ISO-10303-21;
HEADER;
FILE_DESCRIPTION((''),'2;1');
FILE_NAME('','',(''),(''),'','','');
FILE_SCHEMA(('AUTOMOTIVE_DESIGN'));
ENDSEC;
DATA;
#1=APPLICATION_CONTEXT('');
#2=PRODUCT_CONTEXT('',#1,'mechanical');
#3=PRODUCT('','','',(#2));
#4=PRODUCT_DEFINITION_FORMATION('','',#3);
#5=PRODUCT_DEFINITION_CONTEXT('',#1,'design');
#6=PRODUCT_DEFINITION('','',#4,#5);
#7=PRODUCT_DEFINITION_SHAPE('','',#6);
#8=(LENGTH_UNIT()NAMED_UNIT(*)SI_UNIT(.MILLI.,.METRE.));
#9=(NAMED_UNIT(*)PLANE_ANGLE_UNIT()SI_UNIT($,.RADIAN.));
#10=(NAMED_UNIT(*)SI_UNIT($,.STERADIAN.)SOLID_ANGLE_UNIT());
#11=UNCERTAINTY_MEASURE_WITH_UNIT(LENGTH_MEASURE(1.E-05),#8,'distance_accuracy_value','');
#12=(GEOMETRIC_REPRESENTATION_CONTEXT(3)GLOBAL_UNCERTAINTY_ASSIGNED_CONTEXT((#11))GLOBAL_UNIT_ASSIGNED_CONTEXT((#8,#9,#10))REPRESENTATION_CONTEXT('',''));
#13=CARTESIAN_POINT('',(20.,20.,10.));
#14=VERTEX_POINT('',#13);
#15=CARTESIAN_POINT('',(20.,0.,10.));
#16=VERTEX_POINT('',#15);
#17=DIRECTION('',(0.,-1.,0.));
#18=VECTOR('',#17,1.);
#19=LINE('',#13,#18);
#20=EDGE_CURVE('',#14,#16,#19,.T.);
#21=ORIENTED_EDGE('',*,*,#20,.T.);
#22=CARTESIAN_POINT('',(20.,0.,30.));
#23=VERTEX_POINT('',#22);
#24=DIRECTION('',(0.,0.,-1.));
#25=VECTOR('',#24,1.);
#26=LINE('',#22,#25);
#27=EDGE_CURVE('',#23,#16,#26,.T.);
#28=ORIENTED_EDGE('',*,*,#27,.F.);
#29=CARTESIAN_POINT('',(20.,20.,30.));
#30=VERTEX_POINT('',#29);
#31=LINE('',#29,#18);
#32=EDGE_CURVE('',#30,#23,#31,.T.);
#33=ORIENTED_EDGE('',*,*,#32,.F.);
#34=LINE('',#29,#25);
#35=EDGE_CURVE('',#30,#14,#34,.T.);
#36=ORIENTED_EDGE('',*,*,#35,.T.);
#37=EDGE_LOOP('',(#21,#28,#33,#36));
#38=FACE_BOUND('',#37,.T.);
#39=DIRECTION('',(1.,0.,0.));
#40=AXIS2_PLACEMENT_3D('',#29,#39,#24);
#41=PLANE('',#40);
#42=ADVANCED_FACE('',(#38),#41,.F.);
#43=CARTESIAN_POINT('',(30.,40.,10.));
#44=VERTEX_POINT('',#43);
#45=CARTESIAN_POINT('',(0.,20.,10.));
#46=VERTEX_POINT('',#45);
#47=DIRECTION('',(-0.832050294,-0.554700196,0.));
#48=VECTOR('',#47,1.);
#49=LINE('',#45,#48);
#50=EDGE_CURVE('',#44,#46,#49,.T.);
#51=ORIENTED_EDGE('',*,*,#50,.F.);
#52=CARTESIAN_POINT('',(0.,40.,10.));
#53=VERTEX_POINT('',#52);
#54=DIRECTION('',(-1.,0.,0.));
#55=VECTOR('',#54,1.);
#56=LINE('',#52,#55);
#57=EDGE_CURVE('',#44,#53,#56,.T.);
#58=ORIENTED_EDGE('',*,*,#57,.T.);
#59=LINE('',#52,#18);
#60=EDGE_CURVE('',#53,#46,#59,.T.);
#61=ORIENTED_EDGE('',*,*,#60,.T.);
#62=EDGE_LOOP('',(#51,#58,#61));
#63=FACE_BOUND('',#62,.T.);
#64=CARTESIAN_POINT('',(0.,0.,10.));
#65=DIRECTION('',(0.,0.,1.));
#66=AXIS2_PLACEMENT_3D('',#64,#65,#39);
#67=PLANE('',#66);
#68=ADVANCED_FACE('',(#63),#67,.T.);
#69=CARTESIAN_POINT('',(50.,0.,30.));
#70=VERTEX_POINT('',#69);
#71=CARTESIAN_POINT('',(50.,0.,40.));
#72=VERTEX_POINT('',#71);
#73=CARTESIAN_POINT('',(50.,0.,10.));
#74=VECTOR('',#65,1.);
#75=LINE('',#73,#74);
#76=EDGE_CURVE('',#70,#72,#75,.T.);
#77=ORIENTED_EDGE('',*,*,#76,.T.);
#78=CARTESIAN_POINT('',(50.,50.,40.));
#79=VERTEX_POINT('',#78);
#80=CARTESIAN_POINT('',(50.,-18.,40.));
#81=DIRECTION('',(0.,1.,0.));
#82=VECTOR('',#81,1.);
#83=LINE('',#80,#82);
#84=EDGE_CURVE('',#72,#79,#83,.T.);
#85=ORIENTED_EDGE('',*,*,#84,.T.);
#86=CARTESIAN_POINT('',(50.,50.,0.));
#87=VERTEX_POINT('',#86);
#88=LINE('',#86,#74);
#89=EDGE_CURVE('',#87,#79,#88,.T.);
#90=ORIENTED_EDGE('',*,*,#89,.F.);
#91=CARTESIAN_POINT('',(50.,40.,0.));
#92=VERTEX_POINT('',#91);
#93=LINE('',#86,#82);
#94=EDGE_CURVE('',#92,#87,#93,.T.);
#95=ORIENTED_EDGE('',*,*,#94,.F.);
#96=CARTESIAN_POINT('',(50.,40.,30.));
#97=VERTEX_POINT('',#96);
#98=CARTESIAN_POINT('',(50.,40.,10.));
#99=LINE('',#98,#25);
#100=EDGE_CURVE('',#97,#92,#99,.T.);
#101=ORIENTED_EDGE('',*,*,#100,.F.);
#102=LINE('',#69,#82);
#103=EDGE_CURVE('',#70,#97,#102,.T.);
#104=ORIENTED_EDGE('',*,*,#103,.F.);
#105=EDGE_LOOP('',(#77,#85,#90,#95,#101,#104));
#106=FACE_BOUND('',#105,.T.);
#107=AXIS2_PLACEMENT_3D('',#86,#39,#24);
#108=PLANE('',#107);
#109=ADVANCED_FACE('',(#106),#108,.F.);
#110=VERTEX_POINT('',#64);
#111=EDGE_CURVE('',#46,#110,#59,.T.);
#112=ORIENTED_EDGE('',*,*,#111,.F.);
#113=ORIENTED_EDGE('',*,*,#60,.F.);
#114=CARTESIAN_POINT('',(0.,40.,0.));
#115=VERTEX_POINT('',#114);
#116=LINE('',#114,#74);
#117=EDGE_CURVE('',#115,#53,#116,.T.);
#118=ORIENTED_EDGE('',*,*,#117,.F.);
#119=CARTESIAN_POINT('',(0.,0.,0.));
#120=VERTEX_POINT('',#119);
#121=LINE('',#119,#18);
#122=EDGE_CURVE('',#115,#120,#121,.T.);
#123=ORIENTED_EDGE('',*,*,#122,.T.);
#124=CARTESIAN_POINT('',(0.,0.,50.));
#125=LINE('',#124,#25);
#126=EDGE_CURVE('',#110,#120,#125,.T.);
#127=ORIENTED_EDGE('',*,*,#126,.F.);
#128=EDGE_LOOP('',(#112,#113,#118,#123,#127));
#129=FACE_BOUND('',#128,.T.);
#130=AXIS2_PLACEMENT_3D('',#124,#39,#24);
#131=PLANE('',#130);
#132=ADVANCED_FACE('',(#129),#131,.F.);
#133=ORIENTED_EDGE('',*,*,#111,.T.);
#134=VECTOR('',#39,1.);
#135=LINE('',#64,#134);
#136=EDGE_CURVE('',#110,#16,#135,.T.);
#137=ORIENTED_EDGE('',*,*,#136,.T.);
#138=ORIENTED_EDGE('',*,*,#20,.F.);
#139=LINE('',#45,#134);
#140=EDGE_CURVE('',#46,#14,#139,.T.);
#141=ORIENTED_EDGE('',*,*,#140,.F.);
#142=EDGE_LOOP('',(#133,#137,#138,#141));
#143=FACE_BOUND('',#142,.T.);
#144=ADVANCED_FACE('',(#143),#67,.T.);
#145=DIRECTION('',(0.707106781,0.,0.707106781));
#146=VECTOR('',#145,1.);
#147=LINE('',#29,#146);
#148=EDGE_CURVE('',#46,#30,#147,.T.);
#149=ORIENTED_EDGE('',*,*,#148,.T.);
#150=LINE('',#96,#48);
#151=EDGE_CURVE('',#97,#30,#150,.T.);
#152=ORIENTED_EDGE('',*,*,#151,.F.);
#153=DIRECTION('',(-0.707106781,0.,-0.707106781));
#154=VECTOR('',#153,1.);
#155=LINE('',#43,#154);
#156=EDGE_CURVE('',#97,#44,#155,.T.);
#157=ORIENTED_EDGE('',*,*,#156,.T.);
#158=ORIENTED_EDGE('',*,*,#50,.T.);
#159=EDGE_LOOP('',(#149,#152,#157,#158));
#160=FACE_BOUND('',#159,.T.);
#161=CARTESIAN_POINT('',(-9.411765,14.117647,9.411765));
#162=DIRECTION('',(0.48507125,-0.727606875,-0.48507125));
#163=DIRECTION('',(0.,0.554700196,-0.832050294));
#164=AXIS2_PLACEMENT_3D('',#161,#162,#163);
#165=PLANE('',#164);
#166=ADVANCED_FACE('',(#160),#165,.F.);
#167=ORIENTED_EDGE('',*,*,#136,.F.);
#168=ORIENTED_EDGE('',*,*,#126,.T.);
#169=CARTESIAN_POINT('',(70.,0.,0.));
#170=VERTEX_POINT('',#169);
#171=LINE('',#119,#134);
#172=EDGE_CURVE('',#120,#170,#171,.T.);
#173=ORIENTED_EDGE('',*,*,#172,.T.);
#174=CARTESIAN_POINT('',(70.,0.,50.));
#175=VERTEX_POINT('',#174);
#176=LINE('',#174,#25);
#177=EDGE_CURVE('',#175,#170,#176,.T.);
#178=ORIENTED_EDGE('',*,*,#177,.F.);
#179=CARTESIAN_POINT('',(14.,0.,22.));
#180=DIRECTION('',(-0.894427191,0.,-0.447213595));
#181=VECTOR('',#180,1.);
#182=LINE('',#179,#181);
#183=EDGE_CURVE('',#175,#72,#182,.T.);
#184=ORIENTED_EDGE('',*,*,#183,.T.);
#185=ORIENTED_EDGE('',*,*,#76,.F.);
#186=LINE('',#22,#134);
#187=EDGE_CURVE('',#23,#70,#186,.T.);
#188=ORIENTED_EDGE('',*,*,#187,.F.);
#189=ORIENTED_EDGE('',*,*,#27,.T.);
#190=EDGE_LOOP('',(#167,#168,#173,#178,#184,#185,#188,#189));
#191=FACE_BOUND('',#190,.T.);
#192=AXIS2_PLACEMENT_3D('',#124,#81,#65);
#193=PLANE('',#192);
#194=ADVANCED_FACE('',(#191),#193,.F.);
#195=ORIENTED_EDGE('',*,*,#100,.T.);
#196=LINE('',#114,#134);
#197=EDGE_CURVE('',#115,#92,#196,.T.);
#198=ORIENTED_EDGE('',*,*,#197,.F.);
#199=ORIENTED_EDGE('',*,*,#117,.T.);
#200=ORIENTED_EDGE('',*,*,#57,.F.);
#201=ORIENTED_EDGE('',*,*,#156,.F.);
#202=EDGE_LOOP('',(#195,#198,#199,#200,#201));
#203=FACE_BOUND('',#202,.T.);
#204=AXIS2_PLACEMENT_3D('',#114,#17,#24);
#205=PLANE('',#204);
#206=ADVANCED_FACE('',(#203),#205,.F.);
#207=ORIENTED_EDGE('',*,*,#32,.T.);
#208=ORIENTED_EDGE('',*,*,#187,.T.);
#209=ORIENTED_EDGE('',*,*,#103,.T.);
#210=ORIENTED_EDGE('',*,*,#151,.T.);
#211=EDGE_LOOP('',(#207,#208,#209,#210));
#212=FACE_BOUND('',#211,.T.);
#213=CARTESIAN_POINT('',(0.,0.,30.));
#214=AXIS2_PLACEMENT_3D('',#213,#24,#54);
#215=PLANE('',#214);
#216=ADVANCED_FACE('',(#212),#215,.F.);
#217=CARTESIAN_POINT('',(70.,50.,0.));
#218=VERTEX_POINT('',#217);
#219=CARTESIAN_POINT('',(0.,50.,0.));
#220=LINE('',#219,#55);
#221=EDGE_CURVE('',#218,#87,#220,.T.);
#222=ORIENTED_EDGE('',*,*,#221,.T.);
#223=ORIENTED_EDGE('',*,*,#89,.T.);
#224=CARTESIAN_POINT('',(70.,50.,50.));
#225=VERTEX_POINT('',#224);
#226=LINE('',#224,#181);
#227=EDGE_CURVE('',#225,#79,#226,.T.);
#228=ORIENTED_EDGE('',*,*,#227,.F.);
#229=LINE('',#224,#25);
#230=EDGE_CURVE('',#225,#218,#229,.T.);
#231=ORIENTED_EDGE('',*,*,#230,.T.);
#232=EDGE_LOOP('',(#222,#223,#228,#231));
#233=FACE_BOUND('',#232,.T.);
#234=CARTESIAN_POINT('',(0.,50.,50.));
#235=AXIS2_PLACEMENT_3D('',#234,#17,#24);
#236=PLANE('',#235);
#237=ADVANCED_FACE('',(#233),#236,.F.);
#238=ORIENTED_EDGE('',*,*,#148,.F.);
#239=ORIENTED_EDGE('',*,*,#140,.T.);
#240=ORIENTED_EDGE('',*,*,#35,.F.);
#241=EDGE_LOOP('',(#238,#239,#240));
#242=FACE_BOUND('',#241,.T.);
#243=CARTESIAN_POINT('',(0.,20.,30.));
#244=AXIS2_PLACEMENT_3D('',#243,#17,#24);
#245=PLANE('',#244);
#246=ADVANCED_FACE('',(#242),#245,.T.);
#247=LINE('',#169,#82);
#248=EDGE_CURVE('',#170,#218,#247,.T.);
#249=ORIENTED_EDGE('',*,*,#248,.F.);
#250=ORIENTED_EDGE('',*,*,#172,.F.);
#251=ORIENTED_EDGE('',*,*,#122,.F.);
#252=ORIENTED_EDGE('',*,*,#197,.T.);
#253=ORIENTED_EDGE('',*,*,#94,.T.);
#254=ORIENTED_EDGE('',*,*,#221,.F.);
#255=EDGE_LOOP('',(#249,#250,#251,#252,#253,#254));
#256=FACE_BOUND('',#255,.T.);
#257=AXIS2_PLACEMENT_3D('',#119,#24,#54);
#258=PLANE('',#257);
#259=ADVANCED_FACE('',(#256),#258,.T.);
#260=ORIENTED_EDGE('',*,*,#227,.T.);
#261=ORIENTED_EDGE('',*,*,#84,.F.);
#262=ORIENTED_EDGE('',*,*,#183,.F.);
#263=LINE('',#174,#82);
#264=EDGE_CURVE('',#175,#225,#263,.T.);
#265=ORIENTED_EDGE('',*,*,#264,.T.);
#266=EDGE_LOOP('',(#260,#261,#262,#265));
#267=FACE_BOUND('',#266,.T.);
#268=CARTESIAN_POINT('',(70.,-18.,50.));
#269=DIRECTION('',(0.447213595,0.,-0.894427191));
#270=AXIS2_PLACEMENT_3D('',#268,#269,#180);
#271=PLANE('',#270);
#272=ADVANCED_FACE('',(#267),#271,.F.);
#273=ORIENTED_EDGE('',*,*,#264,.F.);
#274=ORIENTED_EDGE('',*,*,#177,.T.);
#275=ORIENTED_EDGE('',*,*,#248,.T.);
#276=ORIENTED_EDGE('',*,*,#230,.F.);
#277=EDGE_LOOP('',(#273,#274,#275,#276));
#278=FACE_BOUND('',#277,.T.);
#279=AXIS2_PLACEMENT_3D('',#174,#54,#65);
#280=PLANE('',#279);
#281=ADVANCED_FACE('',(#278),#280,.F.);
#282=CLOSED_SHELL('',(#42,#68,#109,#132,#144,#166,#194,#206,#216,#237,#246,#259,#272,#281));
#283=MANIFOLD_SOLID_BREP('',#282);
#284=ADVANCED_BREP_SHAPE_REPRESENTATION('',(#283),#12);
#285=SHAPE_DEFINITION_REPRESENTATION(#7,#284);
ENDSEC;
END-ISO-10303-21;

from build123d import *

# Parameters (mm, degrees)
SKETCH1_W            = 70
SKETCH1_H            = 50
BOSS_EXTRUDE1_DEPTH  = 50
SKETCH2_W            = 50
SKETCH2_H            = 10
CUT_EXTRUDE1_DEPTH   = 50
SKETCH3_W            = 50
SKETCH3_H            = 40
CUT_EXTRUDE2_DEPTH   = 40
CUT_EXTRUDE6_DEPTH   = 20
BOSS_EXTRUDE9_DEPTH  = 20
BOSS_EXTRUDE10_DEPTH = 20
SKETCH11_W           = 20
SKETCH11_H           = 20
CUT_EXTRUDE7_DEPTH   = 20
BOSS_EXTRUDE12_DEPTH = 10
BOSS_EXTRUDE13_DEPTH = 10
CUT_EXTRUDE8_DEPTH   = 68


with BuildPart() as part:
    # Sketch1 → Boss-Extrude1 (new body)
    with BuildSketch(Plane.XY):
        with Locations((35, 25)):
            Rectangle(SKETCH1_W, SKETCH1_H)
    extrude(amount=BOSS_EXTRUDE1_DEPTH)

    # Sketch2 → Cut-Extrude1 (cut)
    with BuildSketch(Plane.XY.offset(50)):
        with Locations((25, 45)):
            Rectangle(SKETCH2_W, SKETCH2_H)
    extrude(amount=-CUT_EXTRUDE1_DEPTH, mode=Mode.SUBTRACT)

    # Sketch3 → Cut-Extrude2 (cut)
    with BuildSketch(Plane.XY.offset(50)):
        with Locations((25, 20)):
            Rectangle(SKETCH3_W, SKETCH3_H)
    extrude(amount=-CUT_EXTRUDE2_DEPTH, mode=Mode.SUBTRACT)

    # Sketch8 → Cut-Extrude6 (cut)
    with BuildSketch(Plane.XY.offset(10)):
        Polygon((30, 40), (0, 20), (20, 20), (50, 40), align=None)
    extrude(amount=-CUT_EXTRUDE6_DEPTH, mode=Mode.SUBTRACT)

    # Sketch9 → Boss-Extrude9 (add)
    with BuildSketch(Plane.XY.offset(10)):
        Polygon((50, 40), (20, 20), (20, 0), (50, 0), align=None)
    extrude(amount=BOSS_EXTRUDE9_DEPTH)

    # Sketch10 → Boss-Extrude10 (add)
    with BuildSketch(Plane(origin=(-9.411764706, 14.117647059, 9.411764706), x_dir=(0.874474632, 0.403603676, 0.269069118), z_dir=(-0.48507125, 0.727606875, 0.48507125))):
        Polygon((45.069077198, 13.867504906), (67.939952194, -2.773500981), (33.6336397, -13.867504906), (10.762764704, 2.773500981), align=None)
    extrude(amount=-BOSS_EXTRUDE10_DEPTH)

    # Sketch11 → Cut-Extrude7 (cut)
    with BuildSketch(Plane.ZY.offset(-20)):
        with Locations((20, 10)):
            Rectangle(SKETCH11_W, SKETCH11_H)
    extrude(amount=CUT_EXTRUDE7_DEPTH, mode=Mode.SUBTRACT)

    # Sketch12 → Boss-Extrude12 (add)
    with BuildSketch(Plane(origin=(0, 0, 0), x_dir=(-1, 0, 0), z_dir=(0, 0, -1))):
        Polygon((-50, 40), (-20, 20), (0, 20), (-30, 40), align=None)
    extrude(amount=-BOSS_EXTRUDE12_DEPTH)

    # Sketch13 → Boss-Extrude13 (add)
    with BuildSketch(Plane(origin=(0, 40, 0), x_dir=(1, 0, 0), z_dir=(0, 1, 0))):
        Polygon((30, -10), (50, -10), (50, -30), align=None)
    extrude(amount=-BOSS_EXTRUDE13_DEPTH)

    # Sketch14 → Cut-Extrude8 (cut)
    with BuildSketch(Plane(origin=(0, 50, 0), x_dir=(1, 0, 0), z_dir=(0, 1, 0))):
        Polygon((70, -50), (50, -40), (50, -50), align=None)
    extrude(amount=-CUT_EXTRUDE8_DEPTH, mode=Mode.SUBTRACT)


solid = part.part
